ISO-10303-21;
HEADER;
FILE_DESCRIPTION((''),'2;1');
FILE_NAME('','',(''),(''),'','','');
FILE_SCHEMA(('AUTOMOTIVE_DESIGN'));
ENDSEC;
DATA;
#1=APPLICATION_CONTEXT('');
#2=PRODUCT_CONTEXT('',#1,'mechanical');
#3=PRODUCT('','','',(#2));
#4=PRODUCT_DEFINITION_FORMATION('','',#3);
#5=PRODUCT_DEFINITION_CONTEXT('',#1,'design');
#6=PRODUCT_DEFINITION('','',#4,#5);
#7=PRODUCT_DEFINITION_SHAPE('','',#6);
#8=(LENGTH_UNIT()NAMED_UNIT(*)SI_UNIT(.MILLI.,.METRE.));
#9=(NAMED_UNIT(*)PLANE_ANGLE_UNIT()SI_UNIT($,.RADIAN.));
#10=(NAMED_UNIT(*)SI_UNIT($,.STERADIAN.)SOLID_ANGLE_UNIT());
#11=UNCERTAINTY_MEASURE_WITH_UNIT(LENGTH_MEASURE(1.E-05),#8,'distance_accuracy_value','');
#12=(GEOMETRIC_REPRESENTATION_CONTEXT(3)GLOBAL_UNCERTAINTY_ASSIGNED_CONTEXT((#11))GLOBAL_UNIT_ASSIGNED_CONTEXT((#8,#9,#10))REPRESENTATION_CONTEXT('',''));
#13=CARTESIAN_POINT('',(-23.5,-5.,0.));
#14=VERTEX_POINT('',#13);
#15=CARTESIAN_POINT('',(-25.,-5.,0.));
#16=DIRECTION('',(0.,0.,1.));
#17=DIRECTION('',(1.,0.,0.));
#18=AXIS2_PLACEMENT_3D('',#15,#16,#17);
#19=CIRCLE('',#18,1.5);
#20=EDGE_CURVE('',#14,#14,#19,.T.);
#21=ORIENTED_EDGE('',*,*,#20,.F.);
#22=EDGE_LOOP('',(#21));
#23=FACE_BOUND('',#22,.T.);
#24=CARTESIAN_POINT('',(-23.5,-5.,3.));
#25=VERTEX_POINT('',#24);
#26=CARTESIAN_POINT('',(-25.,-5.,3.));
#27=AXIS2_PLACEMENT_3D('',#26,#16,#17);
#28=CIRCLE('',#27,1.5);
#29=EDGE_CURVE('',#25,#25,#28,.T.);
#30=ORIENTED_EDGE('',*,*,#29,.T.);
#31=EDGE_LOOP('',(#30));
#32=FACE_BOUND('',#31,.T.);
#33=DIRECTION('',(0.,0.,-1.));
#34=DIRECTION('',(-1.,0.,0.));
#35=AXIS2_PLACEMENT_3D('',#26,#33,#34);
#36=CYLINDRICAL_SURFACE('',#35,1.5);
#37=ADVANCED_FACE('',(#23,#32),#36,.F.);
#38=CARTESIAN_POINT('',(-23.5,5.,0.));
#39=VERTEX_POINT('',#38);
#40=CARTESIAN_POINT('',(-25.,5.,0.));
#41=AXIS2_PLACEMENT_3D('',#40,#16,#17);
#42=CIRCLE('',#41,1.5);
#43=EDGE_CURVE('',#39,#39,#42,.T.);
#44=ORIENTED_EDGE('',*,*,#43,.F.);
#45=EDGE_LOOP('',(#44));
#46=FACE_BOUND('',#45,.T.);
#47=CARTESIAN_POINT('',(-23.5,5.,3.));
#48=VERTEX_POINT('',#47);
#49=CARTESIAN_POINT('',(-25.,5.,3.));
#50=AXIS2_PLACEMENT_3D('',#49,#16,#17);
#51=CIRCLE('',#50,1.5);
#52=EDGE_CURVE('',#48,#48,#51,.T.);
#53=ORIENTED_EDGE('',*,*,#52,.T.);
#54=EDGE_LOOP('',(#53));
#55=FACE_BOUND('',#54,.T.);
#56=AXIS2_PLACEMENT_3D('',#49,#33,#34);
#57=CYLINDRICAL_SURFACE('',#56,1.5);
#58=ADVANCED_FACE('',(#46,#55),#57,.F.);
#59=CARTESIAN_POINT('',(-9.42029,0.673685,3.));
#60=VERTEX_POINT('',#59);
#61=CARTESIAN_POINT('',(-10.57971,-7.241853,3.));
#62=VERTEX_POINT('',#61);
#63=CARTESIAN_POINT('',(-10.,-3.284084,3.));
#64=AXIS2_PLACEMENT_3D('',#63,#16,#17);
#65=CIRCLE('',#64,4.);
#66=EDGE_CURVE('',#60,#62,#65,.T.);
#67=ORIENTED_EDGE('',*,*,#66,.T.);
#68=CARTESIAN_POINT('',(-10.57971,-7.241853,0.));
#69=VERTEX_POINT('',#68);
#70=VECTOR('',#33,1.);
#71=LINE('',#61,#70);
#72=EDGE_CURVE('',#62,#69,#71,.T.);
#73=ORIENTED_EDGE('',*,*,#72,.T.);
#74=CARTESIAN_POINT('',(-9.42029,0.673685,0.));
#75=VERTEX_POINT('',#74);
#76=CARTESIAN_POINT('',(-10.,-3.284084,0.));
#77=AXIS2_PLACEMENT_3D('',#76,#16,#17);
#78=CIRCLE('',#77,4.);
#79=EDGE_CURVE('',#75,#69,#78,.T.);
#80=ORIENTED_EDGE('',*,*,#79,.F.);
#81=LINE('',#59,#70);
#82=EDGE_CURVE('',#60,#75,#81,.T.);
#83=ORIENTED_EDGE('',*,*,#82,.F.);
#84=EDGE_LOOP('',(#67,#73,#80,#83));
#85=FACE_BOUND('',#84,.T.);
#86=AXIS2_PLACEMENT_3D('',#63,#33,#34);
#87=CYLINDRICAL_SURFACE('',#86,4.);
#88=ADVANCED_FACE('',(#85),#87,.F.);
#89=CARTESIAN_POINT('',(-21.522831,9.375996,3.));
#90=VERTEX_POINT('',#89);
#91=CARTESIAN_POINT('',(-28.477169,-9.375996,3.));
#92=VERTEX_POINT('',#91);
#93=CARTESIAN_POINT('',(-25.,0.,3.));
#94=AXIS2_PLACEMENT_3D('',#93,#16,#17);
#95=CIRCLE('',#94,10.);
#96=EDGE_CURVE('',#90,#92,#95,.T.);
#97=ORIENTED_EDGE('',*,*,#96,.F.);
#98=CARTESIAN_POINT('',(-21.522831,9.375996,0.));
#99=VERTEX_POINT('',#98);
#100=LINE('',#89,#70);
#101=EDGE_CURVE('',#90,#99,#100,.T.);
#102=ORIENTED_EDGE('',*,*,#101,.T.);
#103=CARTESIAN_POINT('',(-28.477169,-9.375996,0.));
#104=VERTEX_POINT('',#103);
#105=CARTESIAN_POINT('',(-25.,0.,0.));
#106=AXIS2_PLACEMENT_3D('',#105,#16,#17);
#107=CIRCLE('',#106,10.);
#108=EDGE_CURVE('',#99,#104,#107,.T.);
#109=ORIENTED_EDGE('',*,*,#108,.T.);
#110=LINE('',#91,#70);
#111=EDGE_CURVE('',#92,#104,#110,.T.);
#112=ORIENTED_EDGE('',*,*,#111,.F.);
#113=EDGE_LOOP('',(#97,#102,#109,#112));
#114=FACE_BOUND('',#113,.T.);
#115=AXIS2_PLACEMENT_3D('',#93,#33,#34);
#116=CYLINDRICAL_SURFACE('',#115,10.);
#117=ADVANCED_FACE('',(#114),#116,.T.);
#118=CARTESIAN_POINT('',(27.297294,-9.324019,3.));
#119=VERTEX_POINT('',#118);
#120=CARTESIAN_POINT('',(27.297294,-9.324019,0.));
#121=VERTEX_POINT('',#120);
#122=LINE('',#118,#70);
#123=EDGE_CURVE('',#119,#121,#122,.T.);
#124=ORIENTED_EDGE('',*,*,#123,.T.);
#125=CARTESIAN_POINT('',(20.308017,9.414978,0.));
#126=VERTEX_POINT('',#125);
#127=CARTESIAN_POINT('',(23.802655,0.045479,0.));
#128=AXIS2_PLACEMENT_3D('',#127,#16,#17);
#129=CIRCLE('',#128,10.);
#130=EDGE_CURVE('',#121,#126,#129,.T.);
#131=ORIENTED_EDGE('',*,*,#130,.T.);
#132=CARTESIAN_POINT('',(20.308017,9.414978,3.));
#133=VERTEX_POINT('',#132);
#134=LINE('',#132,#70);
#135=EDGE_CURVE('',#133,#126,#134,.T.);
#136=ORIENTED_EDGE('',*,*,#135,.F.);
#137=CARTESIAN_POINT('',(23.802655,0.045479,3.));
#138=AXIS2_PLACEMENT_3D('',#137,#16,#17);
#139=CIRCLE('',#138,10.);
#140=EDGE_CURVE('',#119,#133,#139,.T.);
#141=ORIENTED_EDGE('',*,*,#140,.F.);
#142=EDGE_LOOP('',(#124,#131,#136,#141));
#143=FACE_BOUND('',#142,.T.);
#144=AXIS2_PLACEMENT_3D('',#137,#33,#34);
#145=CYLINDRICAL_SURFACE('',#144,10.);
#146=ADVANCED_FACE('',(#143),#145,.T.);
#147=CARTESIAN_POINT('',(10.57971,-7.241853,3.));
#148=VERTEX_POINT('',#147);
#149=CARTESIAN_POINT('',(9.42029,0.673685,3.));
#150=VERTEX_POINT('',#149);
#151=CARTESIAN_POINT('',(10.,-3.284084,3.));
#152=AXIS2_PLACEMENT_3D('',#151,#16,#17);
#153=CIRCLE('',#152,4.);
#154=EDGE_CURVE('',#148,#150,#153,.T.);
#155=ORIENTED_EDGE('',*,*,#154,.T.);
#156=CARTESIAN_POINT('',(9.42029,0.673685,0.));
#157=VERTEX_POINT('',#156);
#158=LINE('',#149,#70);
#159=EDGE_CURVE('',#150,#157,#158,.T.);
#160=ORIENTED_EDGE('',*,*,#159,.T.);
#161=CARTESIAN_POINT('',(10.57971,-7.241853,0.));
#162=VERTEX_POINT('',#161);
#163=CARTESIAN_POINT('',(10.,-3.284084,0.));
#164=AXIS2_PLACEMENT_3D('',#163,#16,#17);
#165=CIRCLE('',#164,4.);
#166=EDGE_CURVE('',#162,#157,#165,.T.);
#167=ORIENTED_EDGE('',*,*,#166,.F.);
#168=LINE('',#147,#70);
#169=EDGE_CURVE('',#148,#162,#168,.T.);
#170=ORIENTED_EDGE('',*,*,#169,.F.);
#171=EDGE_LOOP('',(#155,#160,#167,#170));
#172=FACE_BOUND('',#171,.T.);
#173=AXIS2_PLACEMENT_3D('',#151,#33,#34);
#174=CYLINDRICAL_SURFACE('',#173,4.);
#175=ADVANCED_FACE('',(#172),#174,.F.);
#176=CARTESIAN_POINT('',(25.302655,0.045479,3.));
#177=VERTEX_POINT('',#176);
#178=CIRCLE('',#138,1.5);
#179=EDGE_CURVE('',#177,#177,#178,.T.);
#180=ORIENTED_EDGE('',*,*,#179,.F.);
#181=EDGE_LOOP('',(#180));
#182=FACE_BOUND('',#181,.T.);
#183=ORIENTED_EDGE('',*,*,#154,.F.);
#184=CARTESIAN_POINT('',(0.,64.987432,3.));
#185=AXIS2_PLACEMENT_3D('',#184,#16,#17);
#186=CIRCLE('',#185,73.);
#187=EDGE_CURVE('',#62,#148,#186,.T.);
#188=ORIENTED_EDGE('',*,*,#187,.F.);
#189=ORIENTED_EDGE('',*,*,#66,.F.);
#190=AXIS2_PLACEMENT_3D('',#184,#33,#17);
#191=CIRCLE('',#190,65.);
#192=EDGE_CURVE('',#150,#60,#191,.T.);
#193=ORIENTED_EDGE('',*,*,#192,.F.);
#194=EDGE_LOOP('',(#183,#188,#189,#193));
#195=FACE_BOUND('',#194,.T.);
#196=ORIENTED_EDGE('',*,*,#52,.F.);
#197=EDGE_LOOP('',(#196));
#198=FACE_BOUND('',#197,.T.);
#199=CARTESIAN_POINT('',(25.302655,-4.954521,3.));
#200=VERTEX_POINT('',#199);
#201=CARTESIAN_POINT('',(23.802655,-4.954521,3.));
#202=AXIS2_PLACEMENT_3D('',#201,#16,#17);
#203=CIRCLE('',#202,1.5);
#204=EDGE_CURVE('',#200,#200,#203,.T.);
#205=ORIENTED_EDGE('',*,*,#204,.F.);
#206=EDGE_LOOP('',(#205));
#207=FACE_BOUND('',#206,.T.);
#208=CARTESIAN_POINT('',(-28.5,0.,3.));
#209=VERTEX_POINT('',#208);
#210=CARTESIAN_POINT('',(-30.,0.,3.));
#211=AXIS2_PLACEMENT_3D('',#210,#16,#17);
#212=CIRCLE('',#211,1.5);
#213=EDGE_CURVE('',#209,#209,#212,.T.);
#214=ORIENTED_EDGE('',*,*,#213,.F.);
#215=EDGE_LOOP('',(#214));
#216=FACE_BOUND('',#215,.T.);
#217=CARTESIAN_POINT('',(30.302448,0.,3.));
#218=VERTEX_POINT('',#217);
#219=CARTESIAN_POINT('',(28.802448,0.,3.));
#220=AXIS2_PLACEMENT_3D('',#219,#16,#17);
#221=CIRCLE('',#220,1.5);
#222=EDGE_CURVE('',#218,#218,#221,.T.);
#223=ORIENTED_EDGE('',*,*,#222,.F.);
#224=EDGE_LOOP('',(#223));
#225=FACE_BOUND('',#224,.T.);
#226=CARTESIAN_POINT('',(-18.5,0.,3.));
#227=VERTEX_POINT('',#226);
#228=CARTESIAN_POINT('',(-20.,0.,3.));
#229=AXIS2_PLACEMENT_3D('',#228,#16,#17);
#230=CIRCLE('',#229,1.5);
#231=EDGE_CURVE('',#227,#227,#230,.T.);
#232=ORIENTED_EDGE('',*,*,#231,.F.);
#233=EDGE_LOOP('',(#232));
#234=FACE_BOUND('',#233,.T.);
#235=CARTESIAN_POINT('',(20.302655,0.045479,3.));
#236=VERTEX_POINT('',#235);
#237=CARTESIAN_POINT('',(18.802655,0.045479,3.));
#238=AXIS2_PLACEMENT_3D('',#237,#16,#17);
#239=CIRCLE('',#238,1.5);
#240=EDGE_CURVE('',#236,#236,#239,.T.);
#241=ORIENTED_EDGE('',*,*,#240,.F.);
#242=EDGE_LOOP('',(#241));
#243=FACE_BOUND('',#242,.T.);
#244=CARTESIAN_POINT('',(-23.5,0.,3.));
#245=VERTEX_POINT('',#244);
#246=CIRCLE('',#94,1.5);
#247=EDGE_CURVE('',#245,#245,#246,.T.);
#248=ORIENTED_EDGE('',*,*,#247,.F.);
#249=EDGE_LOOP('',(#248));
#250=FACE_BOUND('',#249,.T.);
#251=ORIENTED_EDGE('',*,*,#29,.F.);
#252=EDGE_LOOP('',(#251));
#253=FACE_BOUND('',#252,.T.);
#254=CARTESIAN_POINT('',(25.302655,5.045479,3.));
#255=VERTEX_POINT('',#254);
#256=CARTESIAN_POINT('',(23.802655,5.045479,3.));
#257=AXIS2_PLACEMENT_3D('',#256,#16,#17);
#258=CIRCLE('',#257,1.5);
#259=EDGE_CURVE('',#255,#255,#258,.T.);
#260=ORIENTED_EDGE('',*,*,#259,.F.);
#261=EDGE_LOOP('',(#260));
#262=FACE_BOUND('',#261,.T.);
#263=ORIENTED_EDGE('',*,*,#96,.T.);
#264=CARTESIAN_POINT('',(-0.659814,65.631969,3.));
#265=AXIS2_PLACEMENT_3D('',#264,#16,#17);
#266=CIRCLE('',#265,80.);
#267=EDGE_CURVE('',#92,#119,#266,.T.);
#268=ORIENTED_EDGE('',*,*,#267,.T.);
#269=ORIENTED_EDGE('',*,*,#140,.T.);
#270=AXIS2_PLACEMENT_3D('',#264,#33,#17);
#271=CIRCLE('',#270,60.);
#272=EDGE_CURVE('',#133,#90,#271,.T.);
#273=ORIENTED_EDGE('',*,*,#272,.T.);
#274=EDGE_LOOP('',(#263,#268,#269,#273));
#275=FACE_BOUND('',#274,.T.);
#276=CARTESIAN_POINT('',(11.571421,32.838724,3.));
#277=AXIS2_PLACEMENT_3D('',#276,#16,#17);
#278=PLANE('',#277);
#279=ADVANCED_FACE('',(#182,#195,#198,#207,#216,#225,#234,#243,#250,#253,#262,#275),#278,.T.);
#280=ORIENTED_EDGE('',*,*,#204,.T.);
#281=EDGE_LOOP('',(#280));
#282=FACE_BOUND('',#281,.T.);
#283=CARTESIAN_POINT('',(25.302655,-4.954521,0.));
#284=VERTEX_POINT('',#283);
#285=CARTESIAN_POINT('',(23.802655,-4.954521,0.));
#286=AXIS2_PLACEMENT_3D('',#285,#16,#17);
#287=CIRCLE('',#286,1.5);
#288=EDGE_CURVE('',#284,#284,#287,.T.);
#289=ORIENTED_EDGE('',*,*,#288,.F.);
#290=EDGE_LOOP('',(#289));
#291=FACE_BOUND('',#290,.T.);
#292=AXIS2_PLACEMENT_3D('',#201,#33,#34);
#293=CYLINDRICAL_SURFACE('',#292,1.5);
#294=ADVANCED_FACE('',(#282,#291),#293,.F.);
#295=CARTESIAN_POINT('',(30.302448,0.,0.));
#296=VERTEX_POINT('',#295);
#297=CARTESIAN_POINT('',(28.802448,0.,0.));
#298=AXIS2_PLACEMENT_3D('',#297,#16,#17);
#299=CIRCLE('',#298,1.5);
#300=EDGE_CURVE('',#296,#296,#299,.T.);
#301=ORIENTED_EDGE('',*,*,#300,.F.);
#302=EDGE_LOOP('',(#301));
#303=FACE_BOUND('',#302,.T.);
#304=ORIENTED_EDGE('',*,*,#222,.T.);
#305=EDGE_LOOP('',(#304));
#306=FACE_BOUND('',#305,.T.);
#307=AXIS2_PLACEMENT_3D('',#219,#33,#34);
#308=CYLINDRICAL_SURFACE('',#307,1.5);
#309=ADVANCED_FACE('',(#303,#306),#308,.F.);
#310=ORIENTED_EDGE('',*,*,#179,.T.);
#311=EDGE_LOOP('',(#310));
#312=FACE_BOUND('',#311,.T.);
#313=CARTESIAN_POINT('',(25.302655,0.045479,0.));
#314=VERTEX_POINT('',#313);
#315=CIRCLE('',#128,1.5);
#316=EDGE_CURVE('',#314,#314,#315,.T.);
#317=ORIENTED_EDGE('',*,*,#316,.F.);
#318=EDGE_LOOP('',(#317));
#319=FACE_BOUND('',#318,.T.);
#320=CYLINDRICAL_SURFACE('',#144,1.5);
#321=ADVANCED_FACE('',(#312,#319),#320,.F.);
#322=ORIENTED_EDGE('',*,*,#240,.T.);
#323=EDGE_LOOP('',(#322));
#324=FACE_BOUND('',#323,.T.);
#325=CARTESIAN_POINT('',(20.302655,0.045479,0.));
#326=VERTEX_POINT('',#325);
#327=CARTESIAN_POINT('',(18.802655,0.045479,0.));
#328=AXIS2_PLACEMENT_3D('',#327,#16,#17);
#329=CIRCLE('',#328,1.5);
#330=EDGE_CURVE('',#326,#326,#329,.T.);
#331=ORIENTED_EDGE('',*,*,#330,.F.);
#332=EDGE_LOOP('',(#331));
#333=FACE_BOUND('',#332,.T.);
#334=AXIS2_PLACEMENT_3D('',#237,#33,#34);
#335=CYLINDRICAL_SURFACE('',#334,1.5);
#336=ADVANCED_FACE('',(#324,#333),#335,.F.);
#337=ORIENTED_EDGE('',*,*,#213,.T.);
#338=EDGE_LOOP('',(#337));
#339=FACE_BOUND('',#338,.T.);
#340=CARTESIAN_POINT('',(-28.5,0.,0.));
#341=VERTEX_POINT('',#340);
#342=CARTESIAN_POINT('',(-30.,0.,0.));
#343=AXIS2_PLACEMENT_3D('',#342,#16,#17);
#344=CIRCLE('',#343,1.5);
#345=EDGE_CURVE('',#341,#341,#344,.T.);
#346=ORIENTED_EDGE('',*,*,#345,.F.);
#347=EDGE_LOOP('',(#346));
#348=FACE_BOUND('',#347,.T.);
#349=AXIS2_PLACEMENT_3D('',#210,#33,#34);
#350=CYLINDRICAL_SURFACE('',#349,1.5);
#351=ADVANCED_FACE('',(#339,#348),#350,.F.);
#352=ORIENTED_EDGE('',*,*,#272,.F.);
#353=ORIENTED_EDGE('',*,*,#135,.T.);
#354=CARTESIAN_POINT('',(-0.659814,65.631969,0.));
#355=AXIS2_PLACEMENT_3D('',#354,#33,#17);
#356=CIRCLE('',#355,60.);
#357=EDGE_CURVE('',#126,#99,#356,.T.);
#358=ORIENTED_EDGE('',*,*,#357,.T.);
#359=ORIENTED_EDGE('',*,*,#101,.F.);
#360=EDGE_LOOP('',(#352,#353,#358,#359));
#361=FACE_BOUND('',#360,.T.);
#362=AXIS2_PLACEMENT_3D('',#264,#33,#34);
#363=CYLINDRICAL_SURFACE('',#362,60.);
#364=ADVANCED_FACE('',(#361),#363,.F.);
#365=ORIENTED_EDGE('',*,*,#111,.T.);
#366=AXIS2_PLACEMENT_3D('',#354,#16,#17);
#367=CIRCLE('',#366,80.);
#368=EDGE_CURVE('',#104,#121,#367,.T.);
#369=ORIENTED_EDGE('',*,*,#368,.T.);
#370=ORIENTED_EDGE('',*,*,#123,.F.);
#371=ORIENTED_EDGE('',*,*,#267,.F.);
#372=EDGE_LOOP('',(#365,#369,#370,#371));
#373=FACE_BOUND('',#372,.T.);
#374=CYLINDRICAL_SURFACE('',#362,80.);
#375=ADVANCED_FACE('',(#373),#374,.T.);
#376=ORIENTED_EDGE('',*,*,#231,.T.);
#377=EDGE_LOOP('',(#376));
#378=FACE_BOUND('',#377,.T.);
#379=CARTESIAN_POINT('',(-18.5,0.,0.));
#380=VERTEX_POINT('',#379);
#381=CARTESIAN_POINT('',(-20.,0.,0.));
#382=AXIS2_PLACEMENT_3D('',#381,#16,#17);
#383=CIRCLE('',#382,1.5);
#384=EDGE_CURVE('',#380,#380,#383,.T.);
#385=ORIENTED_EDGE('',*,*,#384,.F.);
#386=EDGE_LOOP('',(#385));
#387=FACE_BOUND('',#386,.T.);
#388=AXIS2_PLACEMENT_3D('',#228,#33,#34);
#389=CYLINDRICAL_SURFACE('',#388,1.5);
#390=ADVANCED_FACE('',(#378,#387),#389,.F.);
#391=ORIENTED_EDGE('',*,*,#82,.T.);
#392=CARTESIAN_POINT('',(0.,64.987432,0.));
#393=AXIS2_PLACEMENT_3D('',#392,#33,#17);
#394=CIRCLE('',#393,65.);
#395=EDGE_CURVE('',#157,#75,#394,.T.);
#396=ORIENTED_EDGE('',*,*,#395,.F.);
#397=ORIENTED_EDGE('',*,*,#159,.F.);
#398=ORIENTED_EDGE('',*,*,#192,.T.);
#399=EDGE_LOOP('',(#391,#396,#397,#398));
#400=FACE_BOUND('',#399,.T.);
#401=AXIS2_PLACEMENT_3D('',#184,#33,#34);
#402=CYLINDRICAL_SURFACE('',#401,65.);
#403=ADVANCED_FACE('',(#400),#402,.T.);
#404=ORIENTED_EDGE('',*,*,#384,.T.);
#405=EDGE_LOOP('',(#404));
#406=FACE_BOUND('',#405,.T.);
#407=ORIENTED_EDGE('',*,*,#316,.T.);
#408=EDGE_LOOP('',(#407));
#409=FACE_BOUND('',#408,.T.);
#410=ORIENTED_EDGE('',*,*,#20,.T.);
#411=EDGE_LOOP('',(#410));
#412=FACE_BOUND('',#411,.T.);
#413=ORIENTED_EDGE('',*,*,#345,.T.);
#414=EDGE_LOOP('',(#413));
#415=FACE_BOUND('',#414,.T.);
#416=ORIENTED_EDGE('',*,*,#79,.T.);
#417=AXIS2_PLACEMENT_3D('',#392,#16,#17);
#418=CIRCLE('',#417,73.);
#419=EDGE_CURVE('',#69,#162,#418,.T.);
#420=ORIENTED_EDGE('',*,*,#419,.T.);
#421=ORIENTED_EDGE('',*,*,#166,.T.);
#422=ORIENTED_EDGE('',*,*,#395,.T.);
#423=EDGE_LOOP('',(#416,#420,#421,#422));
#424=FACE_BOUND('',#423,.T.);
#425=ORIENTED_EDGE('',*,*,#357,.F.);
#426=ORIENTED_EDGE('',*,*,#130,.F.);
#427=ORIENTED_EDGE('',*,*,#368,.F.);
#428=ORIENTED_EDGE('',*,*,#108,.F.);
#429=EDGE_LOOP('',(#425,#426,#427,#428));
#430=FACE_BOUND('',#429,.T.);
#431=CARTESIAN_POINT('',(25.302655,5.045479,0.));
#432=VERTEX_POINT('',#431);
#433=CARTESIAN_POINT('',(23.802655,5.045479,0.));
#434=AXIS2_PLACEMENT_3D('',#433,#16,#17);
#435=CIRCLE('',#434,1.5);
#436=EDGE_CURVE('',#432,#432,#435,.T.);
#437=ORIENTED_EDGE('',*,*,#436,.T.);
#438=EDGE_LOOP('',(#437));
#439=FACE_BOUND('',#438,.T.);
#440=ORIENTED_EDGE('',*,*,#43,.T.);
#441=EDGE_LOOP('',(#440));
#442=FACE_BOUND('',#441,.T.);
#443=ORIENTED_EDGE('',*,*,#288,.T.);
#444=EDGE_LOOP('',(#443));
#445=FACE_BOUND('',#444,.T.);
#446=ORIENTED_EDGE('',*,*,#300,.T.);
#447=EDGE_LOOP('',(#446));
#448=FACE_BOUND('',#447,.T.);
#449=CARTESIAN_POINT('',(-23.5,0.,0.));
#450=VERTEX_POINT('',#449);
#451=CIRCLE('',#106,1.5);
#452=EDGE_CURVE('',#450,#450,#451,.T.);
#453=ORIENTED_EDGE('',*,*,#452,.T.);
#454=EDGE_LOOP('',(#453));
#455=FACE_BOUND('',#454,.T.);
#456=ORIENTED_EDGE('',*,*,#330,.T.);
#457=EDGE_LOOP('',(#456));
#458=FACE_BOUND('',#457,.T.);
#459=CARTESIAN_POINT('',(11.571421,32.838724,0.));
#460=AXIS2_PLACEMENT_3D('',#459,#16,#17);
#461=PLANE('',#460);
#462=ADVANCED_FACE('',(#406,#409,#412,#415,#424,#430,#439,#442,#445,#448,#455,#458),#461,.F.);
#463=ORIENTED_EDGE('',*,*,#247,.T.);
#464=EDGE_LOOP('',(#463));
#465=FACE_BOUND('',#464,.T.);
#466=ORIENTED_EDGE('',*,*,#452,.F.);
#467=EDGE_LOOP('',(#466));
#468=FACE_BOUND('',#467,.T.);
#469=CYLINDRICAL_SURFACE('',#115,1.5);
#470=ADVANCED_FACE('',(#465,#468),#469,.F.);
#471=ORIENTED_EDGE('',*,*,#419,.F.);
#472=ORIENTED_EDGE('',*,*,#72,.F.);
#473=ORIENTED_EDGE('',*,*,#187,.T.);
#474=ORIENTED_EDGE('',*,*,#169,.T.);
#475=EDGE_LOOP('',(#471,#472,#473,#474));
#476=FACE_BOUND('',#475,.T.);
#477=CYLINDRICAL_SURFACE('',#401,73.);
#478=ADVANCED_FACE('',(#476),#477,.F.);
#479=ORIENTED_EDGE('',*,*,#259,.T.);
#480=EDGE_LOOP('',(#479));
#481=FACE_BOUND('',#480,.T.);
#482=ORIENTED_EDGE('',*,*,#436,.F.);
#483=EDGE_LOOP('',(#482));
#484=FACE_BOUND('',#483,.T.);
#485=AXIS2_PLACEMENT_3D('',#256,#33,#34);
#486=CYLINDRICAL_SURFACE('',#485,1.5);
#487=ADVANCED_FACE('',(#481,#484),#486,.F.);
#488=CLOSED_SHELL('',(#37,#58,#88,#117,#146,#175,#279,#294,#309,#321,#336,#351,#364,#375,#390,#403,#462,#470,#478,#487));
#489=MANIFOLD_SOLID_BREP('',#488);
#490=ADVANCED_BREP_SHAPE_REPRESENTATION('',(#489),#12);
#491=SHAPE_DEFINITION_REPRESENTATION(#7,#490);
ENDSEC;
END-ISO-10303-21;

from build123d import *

# Parameters (mm, degrees)
IZIM3_R                     = 1.5
Y_KSEKLIK_EKSTR_ZYON1_DEPTH = 3


with BuildPart() as part:
    # Çizim3 → Yükseklik-Ekstrüzyon1 (new body)
    with BuildSketch(Plane.XY):
        with BuildLine():
            ThreePointArc((-21.522830549, 9.375995553), (-34.375995553, 3.477169451), (-28.477169451, -9.375995553))
            ThreePointArc((-28.477169451, -9.375995553), (-0.585261649, -14.367996391), (27.297293596, -9.324019171))
            ThreePointArc((27.297293596, -9.324019171), (33.172153672, 3.540117765), (20.308016736, 9.41497784))
            ThreePointArc((20.308016736, 9.41497784), (-0.603899698, 5.631994925), (-21.522830549, 9.375995553))
        make_face()
        with Locations((-25, 0)):
            Circle(IZIM3_R, mode=Mode.SUBTRACT)
        with Locations((-25, 5)):
            Circle(IZIM3_R, mode=Mode.SUBTRACT)
        with Locations((-30, 0)):
            Circle(IZIM3_R, mode=Mode.SUBTRACT)
        with Locations((-20, 0)):
            Circle(IZIM3_R, mode=Mode.SUBTRACT)
        with Locations((-25, -5)):
            Circle(IZIM3_R, mode=Mode.SUBTRACT)
        with Locations((23.802655166, 0.045479334)):
            Circle(IZIM3_R, mode=Mode.SUBTRACT)
        with Locations((23.802655166, 5.045479334)):
            Circle(IZIM3_R, mode=Mode.SUBTRACT)
        with Locations((28.802448325, 0)):
            Circle(IZIM3_R, mode=Mode.SUBTRACT)
        with Locations((18.802655166, 0.045479334)):
            Circle(IZIM3_R, mode=Mode.SUBTRACT)
        with Locations((23.802655166, -4.954520666)):
            Circle(IZIM3_R, mode=Mode.SUBTRACT)
        with BuildLine():
            ThreePointArc((-9.420289855, 0.673684705), (0, -0.012567627), (9.420289855, 0.673684705))
            ThreePointArc((9.420289855, 0.673684705), (13.957769087, -2.704374237), (10.579710145, -7.241853469))
            ThreePointArc((10.579710145, -7.241853469), (0, -8.012567627), (-10.579710145, -7.241853469))
            ThreePointArc((-10.579710145, -7.241853469), (-13.957769087, -2.704374237), (-9.420289855, 0.673684705))
        make_face(mode=Mode.SUBTRACT)
    extrude(amount=Y_KSEKLIK_EKSTR_ZYON1_DEPTH)


solid = part.part
